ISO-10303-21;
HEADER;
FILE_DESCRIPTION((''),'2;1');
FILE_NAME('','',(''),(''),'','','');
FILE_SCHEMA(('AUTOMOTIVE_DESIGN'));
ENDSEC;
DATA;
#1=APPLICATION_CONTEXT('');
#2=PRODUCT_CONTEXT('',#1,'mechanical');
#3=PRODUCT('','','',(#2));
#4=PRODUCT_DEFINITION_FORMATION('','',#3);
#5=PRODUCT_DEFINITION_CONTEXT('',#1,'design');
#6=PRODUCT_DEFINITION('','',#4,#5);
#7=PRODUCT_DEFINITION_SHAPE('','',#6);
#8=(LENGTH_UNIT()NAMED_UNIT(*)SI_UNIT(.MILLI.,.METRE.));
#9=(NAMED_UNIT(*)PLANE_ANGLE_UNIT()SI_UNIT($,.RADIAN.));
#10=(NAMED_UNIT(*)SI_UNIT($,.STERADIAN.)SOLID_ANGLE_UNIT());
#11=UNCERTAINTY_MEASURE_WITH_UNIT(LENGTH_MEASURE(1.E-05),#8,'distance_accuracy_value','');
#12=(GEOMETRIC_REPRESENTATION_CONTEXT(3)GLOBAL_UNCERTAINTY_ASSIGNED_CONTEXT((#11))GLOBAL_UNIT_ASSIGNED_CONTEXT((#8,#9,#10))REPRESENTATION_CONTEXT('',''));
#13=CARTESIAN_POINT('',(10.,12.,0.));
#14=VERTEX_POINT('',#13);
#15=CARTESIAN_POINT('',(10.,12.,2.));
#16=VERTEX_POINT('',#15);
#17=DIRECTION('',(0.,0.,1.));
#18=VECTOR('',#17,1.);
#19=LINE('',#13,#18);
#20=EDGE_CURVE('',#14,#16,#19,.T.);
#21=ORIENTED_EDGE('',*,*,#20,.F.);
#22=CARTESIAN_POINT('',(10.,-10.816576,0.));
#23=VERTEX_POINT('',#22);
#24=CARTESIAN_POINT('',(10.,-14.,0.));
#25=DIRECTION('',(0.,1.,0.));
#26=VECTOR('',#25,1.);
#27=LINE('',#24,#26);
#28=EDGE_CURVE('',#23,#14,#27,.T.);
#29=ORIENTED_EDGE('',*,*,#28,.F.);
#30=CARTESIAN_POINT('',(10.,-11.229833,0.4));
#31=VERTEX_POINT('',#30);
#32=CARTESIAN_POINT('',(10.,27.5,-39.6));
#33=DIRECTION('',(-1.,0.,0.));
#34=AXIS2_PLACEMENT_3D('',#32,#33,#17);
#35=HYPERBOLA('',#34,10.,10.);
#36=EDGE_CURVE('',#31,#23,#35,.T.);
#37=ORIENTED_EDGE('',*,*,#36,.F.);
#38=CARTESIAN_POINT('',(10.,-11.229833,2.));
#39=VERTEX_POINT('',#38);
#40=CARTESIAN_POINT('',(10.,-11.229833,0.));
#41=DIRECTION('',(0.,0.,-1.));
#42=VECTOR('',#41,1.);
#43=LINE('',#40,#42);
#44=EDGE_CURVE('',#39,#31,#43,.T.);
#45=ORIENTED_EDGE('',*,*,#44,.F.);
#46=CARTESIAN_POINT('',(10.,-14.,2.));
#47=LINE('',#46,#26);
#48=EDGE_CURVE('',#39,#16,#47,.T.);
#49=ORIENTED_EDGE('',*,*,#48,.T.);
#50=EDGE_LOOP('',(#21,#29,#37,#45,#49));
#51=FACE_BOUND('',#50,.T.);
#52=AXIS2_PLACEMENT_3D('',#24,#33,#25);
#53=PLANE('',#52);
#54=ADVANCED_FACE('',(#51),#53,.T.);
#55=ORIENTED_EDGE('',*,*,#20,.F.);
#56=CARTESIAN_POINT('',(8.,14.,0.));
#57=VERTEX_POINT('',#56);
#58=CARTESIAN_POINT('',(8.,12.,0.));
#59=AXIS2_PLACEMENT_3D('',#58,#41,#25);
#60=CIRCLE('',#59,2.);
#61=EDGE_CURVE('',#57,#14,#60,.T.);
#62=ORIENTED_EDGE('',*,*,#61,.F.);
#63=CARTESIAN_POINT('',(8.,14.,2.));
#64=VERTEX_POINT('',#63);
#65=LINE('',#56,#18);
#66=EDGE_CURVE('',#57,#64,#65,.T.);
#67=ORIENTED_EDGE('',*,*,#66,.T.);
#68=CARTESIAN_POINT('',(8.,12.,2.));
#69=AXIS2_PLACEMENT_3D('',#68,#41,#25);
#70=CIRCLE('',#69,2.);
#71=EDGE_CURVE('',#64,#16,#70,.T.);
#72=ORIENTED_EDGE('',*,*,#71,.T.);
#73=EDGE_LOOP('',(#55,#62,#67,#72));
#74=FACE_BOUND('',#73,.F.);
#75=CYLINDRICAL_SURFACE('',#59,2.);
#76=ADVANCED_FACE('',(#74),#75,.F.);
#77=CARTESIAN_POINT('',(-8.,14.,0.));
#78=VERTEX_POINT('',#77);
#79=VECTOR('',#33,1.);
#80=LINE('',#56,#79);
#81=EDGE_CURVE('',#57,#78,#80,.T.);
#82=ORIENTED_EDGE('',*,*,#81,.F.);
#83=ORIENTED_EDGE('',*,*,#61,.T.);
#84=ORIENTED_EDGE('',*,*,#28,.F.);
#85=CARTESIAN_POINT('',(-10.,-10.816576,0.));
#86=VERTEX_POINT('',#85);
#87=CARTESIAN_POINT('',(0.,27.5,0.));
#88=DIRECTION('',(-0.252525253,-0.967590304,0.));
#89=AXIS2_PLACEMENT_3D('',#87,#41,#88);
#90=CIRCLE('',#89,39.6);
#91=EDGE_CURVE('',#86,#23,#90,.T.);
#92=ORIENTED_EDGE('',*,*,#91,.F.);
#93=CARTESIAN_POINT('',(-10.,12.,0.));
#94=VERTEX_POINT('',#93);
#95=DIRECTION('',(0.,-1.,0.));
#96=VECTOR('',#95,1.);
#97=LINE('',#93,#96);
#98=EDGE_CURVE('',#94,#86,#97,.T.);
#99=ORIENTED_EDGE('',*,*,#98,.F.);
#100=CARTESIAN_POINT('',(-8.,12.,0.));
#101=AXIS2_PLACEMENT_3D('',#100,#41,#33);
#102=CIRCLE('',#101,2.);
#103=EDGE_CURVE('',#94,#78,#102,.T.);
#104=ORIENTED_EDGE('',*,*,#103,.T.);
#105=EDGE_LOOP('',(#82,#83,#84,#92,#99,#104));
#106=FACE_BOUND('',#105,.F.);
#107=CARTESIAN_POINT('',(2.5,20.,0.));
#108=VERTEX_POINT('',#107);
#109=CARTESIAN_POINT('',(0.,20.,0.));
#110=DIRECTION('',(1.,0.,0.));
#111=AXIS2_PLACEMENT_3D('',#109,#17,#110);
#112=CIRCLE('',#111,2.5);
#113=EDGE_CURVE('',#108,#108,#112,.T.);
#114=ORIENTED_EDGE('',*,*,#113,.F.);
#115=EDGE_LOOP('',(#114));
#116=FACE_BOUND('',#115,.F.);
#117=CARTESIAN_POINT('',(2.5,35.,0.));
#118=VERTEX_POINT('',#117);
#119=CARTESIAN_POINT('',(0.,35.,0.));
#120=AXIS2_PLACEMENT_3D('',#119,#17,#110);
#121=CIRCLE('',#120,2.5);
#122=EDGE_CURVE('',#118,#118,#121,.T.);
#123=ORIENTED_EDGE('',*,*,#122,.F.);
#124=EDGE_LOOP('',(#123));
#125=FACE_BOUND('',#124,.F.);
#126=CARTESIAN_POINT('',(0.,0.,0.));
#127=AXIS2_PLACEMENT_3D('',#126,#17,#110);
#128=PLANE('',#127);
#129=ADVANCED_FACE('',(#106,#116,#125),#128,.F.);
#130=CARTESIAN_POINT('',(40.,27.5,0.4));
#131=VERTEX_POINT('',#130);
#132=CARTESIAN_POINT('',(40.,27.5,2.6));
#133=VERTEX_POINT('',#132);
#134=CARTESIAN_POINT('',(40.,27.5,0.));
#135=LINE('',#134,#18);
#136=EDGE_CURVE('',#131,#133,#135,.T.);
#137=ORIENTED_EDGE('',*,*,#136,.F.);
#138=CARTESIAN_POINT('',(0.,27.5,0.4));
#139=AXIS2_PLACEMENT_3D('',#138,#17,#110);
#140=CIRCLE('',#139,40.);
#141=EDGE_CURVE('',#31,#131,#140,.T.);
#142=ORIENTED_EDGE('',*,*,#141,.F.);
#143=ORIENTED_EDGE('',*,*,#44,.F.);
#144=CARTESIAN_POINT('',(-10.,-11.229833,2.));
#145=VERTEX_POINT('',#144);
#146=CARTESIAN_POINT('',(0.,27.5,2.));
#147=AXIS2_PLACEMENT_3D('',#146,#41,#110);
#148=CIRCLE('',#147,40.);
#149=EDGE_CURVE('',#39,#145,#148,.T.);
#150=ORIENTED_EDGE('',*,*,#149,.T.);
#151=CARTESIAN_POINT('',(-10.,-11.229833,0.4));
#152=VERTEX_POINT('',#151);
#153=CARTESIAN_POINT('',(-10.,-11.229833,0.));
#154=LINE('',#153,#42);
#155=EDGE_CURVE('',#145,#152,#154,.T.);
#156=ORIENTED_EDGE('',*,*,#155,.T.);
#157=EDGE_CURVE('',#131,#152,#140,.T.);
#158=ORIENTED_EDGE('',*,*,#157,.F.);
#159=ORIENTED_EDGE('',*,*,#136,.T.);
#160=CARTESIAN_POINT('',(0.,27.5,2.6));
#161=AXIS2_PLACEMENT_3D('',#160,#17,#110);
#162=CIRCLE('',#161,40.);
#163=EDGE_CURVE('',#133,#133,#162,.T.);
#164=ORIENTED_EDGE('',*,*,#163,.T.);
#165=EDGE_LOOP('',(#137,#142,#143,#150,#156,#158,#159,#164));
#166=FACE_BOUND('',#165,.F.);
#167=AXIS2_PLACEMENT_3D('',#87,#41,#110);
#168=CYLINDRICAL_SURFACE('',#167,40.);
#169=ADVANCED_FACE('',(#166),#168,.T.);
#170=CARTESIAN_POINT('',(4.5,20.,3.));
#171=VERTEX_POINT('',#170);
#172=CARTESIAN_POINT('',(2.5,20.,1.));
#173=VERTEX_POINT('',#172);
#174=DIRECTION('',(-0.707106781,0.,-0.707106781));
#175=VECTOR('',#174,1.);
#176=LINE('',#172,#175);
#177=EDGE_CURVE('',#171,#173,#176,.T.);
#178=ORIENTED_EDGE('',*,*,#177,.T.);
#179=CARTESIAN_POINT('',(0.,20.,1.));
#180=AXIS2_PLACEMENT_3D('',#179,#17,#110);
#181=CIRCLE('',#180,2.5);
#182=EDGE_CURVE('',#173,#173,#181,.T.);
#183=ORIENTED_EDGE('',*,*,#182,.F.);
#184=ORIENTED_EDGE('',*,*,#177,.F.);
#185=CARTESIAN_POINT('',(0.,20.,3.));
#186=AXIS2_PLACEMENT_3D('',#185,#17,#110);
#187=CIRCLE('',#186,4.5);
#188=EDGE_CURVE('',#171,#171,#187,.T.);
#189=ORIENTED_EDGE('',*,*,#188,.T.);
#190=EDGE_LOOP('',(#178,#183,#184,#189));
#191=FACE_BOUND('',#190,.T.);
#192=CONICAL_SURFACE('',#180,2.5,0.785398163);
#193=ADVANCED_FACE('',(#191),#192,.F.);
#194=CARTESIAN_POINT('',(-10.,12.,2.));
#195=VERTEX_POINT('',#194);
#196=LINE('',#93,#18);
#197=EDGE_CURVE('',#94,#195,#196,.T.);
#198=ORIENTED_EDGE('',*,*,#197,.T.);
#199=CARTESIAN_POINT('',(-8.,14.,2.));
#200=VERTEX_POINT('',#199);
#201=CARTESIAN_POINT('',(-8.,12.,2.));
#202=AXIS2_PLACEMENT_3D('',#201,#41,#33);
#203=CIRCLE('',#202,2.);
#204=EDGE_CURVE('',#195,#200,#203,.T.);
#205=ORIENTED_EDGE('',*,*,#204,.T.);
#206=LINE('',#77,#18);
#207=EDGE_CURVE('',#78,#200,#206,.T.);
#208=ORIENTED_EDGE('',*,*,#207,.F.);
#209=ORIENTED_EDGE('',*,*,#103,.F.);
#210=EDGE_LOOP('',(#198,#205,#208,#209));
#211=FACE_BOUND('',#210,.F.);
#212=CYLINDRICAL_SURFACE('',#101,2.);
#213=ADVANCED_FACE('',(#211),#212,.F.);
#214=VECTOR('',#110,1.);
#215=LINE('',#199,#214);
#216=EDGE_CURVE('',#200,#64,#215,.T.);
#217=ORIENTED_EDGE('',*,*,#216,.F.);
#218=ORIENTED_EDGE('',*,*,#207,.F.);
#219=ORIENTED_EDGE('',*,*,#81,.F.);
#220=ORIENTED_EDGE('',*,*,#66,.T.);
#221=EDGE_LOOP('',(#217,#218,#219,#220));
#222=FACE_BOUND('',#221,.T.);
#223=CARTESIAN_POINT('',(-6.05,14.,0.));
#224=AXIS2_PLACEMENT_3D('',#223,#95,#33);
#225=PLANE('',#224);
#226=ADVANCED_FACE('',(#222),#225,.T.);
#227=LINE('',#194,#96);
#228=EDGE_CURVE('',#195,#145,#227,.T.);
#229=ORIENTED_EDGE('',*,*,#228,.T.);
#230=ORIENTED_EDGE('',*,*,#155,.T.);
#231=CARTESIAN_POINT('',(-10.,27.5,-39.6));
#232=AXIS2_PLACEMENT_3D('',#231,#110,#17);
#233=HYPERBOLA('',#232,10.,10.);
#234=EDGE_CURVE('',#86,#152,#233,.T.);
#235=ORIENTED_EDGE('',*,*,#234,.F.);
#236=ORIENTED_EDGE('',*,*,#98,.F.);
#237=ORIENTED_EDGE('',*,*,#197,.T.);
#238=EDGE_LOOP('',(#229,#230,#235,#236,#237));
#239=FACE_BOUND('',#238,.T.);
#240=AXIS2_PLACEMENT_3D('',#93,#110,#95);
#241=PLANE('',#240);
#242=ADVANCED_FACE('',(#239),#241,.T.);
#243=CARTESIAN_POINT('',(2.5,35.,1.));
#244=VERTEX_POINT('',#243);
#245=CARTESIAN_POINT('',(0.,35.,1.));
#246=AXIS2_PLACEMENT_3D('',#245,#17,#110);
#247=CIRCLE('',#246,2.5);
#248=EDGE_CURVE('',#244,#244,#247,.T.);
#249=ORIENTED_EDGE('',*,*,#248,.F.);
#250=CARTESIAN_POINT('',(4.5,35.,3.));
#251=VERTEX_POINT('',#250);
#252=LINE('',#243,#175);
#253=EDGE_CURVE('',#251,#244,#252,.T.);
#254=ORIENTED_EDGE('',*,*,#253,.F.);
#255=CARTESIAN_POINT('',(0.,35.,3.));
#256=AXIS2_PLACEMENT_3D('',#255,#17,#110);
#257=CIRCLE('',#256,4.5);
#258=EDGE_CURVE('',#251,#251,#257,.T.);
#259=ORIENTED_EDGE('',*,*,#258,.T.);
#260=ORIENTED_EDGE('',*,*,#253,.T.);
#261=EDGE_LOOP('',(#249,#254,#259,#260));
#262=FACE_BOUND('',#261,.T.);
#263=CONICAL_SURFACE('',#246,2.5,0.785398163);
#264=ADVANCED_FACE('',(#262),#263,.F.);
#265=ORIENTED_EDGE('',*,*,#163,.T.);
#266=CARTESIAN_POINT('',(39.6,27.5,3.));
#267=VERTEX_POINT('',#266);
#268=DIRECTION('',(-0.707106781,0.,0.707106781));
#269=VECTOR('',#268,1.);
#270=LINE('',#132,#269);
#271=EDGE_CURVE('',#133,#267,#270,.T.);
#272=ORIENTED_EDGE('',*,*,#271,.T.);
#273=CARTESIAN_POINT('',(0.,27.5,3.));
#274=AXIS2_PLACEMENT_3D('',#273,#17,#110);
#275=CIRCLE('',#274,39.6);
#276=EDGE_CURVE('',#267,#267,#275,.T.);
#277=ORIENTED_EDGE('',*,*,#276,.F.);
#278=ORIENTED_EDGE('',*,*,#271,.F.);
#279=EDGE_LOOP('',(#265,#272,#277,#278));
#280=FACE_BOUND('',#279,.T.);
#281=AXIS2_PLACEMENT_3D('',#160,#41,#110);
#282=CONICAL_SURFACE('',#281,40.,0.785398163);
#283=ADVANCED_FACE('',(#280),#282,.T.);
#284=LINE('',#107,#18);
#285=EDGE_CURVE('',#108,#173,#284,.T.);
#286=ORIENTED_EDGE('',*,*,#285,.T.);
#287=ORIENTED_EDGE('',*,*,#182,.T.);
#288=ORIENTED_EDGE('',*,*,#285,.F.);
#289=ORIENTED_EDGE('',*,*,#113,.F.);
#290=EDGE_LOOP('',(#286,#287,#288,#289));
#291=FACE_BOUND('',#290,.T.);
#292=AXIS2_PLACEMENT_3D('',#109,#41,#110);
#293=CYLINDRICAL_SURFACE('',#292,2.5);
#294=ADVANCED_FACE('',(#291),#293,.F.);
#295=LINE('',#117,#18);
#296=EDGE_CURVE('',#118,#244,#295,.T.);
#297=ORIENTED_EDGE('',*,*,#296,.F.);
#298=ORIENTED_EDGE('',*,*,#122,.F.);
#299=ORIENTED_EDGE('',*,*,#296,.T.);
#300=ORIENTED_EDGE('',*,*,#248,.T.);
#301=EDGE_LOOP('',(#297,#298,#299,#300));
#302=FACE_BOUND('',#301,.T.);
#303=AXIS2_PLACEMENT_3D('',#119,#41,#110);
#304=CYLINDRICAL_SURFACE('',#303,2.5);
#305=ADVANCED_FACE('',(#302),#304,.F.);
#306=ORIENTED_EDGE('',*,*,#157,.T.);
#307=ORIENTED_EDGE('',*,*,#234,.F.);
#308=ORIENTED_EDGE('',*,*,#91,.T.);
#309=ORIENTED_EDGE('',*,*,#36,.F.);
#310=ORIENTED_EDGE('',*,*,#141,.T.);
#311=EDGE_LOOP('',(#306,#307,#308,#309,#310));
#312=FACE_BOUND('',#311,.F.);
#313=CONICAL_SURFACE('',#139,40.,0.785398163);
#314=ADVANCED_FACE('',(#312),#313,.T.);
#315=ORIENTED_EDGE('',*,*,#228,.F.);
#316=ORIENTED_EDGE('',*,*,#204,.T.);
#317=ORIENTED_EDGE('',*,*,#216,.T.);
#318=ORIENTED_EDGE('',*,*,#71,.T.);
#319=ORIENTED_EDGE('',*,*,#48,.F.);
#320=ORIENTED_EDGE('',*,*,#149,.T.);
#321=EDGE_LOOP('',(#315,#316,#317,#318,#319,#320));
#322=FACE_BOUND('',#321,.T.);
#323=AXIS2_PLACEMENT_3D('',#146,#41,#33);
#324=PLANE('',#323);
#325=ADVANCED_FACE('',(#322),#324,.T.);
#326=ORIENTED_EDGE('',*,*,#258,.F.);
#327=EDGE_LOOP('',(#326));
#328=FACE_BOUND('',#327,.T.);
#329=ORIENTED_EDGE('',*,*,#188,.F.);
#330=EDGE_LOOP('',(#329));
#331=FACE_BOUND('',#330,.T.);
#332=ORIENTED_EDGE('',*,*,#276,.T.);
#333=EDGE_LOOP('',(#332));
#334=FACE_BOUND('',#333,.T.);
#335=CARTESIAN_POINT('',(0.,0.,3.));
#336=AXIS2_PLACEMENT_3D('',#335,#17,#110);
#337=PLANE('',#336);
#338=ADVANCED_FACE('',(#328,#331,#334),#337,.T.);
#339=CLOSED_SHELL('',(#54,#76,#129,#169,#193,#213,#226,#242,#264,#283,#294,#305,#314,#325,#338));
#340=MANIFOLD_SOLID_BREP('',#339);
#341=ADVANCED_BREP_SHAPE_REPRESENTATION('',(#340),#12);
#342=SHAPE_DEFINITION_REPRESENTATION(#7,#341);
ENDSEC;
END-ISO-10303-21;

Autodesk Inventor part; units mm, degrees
ref_plane "YZ Plane" through (0, 0, 0) normal (1, 0, 0) x (0, 1, 0)
ref_plane "XZ Plane" through (0, 0, 0) normal (0, 1, 0) x (-1, 0, 0)
ref_plane "XY Plane" through (0, 0, 0) normal (0, 0, 1) x (1, 0, 0)
ref_plane "Płaszczyzna konstrukcyjna1" through (0, 0, 0) normal (0, 0, 1) x (1, 0, 0)
sketch "Szkic1" plane through (0, 0, 0) normal (0, 0, 1) x (1, 0, 0)
  circle A0 centre (0, 20) radius 2.5 projected
  circle A1 centre (0, 35) radius 2.5 projected
  circle A2 centre (0, 27.5) radius 40
  point P0 (0, 0)
  dimension "d0" = 7.5
  dimension "d1" = 7.5
  dimension "d2" = 80
extrude "Wyciągnięcie proste1" add sketch "Szkic1" along normal blind 3
chamfer "Faza1" distance 0.4 angle 45 2 edges at (-40, 27.5, 3) (-40, 27.5, 0)
chamfer "Faza3" distance 2 angle 45 2 edges at (-2.5, 20, 3) (-2.5, 35, 3)
sketch "Szkic2" plane through (0, 27.5, 0) normal (0, 0, -1) x (-1, 0, 0)
  circle A0 centre (0, 7.5) radius 2.5 projected
  circle A1 centre (0, -7.5) radius 2.5 projected
  circle A2 centre (0, -47.5) radius 2 projected
  circle A3 centre (0, -62.5) radius 2 projected
  line L0 (6.05, 12.2) -> (6.05, -67.2) projected
  line L1 (-6.05, 12.2) -> (6.05, 12.2) projected
  line L2 (-6.05, -67.2) -> (-6.05, 12.2) projected
  line L3 (6.05, -67.2) -> (-6.05, -67.2) projected
  circle A4 centre (0, 7.5) radius 2.5 projected
  circle A5 centre (0, -7.5) radius 2.5 projected
  circle A6 centre (0, -47.5) radius 2 projected
  circle A7 centre (0, -62.5) radius 2 projected
  line L4 (6.05, 12.2) -> (6.05, -67.2) projected
  line L5 (-6.05, 12.2) -> (6.05, 12.2) projected
  line L6 (-6.05, -67.2) -> (-6.05, 12.2) projected
  line L7 (6.05, -67.2) -> (-6.05, -67.2) projected
  line L8 (10, -41.5) -> (-10, -41.5)
  line L9 (-10, -41.5) -> (-10, -15.5)
  line L10 (-8, -13.5) -> (8, -13.5)
  line L11 (10, -15.5) -> (10, -41.5)
  line L12 (10, -41.5) -> (-10, -13.5) construction
  line L13 (-10, -41.5) -> (10, -13.5) construction
  arc A8 (-8, -13.5) -> (-10, -15.5) centre (-8, -15.5) ccw
  arc A9 (10, -15.5) -> (8, -13.5) centre (8, -15.5) ccw
  point P0 (0, -27.5)
  point P1 (0, -27.5)
  dimension "d14" = 20
  dimension "d15" = 28
  dimension "d16" = 20
  dimension "d17" = 2
extrude "Wyciągnięcie proste2" cut sketch "Szkic2" against normal blind 2 contours L10 A9 L11 L8 L0 | L0 L8 L2 L10 | L2 L8 L9 A8 L10
properties part number "szklo" material "Akrylowy, przezroczysty"
